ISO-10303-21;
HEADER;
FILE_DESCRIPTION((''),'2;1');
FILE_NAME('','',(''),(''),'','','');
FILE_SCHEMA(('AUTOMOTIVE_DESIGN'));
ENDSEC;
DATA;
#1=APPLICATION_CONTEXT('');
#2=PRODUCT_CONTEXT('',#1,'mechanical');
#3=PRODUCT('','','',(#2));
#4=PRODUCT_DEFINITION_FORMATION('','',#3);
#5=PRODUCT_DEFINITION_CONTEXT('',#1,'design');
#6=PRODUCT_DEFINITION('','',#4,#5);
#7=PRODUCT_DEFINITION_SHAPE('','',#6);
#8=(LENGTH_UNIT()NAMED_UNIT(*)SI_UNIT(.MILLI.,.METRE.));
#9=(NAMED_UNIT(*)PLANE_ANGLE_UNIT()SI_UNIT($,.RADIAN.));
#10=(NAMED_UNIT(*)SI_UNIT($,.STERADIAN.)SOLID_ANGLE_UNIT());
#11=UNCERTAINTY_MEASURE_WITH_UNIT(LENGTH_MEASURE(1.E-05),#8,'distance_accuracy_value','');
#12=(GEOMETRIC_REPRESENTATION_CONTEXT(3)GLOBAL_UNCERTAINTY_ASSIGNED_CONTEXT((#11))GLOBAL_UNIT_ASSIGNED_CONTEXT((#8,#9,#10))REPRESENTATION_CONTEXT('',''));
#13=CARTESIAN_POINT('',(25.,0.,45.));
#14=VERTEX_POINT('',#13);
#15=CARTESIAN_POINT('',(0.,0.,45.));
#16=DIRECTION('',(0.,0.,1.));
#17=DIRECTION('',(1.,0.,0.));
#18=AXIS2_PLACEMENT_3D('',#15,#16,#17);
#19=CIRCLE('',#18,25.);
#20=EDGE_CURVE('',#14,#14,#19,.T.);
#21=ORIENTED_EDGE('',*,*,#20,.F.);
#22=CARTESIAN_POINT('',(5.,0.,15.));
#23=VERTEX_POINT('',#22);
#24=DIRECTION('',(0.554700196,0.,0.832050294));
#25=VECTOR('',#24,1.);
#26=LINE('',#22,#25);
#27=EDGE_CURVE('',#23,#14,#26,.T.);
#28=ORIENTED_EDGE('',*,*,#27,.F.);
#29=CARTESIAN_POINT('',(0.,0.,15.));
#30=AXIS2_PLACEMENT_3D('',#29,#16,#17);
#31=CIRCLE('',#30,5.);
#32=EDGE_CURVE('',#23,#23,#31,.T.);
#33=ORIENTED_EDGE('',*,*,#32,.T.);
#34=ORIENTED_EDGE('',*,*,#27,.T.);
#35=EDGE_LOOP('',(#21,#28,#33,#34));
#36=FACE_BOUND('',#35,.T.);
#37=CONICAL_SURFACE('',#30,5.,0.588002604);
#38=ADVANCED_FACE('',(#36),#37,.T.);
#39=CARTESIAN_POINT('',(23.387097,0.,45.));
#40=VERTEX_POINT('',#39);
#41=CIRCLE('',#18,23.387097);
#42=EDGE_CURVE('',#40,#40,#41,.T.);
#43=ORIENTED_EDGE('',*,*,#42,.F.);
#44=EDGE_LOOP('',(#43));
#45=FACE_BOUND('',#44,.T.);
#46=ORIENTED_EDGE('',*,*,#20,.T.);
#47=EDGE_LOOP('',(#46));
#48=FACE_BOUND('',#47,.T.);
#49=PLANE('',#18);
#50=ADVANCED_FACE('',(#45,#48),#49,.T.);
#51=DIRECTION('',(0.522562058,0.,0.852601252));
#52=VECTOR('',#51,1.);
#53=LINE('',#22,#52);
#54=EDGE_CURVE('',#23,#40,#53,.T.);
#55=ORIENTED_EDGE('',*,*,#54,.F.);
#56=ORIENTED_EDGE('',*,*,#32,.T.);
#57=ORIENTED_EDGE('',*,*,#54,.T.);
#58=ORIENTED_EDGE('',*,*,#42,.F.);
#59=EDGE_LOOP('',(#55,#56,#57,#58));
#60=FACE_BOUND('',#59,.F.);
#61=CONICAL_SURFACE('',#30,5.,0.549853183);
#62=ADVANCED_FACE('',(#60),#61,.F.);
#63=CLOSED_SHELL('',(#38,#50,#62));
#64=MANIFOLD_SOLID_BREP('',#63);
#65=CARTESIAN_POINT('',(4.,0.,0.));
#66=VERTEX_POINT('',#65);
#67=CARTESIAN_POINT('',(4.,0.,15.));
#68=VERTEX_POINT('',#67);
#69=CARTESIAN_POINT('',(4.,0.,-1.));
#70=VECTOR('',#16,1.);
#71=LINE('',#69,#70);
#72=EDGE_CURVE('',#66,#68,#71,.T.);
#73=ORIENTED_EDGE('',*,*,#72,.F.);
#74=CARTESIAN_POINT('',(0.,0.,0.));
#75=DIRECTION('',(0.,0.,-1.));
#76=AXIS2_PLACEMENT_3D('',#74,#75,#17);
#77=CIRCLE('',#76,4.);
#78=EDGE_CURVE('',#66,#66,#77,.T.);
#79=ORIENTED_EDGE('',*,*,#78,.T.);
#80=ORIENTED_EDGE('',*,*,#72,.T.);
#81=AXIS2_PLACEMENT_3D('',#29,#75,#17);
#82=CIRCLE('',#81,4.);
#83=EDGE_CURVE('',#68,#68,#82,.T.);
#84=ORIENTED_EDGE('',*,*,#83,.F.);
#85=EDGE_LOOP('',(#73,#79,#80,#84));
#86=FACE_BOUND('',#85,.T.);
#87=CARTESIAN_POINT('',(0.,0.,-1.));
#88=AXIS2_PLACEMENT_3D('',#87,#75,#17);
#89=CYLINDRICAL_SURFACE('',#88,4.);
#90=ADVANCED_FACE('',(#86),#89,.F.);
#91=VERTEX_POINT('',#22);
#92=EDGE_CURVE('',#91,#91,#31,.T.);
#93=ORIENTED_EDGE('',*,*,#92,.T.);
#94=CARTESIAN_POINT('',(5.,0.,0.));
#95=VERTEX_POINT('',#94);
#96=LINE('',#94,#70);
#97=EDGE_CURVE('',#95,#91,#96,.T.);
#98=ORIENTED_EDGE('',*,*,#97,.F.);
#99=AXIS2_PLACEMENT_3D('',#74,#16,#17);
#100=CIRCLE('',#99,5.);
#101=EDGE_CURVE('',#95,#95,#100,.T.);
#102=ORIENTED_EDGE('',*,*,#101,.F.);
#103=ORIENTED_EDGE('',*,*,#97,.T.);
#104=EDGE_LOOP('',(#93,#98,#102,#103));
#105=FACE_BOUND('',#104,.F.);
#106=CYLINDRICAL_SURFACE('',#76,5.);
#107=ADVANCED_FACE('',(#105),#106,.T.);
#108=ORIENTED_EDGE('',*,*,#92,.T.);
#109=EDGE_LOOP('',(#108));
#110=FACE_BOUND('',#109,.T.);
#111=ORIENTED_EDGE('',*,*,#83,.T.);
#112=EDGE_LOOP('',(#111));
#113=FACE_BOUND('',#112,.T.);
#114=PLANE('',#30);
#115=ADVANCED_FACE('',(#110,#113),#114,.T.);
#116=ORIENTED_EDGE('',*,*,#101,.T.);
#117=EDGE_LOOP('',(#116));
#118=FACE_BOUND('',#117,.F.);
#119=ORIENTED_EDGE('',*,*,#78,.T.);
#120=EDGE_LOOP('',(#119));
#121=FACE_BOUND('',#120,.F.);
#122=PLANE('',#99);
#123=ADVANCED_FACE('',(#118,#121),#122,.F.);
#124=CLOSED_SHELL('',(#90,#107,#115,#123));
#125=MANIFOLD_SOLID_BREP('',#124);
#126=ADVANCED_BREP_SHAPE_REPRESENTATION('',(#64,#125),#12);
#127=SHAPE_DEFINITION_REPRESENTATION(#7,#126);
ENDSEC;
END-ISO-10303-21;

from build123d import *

# Parameters (mm, degrees)
CYLINDER001_R     = 4
CYLINDER001_DEPTH = 17
CYLINDER_R        = 5
CYLINDER_DEPTH    = 15


with BuildPart() as cilindre001:
    # Cylinder001 → Cylinder001 (new body)
    with BuildSketch(Plane.XY.offset(-1)):
        Circle(CYLINDER001_R)
    extrude(amount=CYLINDER001_DEPTH)


with BuildPart() as cut:
    # Cylinder → Cylinder (new body)
    with BuildSketch(Plane.XY):
        Circle(CYLINDER_R)
    extrude(amount=CYLINDER_DEPTH)

    # Cut: cut Cilindre001
    add(cilindre001.part, mode=Mode.SUBTRACT)


with BuildPart() as con001:
    # Cone001 → Cone001 (revolve)
    with BuildSketch(Plane(origin=(0, 0, 15), x_dir=(1, 0, 0), z_dir=(0, -1, 0))):
        Polygon((0, 0), (5, 0), (24, 31), (0, 31), align=None)
    revolve(axis=Axis((0, 0, 15), (0, 0, 1)))


with BuildPart() as cut001:
    # Cone → Cone (revolve)
    with BuildSketch(Plane(origin=(0, 0, 15), x_dir=(1, 0, 0), z_dir=(0, -1, 0))):
        Polygon((0, 0), (5, 0), (25, 30), (0, 30), align=None)
    revolve(axis=Axis((0, 0, 15), (0, 0, 1)))

    # Cut001: cut Con001
    add(con001.part, mode=Mode.SUBTRACT)


solid = Compound([cut.part, cut001.part])
